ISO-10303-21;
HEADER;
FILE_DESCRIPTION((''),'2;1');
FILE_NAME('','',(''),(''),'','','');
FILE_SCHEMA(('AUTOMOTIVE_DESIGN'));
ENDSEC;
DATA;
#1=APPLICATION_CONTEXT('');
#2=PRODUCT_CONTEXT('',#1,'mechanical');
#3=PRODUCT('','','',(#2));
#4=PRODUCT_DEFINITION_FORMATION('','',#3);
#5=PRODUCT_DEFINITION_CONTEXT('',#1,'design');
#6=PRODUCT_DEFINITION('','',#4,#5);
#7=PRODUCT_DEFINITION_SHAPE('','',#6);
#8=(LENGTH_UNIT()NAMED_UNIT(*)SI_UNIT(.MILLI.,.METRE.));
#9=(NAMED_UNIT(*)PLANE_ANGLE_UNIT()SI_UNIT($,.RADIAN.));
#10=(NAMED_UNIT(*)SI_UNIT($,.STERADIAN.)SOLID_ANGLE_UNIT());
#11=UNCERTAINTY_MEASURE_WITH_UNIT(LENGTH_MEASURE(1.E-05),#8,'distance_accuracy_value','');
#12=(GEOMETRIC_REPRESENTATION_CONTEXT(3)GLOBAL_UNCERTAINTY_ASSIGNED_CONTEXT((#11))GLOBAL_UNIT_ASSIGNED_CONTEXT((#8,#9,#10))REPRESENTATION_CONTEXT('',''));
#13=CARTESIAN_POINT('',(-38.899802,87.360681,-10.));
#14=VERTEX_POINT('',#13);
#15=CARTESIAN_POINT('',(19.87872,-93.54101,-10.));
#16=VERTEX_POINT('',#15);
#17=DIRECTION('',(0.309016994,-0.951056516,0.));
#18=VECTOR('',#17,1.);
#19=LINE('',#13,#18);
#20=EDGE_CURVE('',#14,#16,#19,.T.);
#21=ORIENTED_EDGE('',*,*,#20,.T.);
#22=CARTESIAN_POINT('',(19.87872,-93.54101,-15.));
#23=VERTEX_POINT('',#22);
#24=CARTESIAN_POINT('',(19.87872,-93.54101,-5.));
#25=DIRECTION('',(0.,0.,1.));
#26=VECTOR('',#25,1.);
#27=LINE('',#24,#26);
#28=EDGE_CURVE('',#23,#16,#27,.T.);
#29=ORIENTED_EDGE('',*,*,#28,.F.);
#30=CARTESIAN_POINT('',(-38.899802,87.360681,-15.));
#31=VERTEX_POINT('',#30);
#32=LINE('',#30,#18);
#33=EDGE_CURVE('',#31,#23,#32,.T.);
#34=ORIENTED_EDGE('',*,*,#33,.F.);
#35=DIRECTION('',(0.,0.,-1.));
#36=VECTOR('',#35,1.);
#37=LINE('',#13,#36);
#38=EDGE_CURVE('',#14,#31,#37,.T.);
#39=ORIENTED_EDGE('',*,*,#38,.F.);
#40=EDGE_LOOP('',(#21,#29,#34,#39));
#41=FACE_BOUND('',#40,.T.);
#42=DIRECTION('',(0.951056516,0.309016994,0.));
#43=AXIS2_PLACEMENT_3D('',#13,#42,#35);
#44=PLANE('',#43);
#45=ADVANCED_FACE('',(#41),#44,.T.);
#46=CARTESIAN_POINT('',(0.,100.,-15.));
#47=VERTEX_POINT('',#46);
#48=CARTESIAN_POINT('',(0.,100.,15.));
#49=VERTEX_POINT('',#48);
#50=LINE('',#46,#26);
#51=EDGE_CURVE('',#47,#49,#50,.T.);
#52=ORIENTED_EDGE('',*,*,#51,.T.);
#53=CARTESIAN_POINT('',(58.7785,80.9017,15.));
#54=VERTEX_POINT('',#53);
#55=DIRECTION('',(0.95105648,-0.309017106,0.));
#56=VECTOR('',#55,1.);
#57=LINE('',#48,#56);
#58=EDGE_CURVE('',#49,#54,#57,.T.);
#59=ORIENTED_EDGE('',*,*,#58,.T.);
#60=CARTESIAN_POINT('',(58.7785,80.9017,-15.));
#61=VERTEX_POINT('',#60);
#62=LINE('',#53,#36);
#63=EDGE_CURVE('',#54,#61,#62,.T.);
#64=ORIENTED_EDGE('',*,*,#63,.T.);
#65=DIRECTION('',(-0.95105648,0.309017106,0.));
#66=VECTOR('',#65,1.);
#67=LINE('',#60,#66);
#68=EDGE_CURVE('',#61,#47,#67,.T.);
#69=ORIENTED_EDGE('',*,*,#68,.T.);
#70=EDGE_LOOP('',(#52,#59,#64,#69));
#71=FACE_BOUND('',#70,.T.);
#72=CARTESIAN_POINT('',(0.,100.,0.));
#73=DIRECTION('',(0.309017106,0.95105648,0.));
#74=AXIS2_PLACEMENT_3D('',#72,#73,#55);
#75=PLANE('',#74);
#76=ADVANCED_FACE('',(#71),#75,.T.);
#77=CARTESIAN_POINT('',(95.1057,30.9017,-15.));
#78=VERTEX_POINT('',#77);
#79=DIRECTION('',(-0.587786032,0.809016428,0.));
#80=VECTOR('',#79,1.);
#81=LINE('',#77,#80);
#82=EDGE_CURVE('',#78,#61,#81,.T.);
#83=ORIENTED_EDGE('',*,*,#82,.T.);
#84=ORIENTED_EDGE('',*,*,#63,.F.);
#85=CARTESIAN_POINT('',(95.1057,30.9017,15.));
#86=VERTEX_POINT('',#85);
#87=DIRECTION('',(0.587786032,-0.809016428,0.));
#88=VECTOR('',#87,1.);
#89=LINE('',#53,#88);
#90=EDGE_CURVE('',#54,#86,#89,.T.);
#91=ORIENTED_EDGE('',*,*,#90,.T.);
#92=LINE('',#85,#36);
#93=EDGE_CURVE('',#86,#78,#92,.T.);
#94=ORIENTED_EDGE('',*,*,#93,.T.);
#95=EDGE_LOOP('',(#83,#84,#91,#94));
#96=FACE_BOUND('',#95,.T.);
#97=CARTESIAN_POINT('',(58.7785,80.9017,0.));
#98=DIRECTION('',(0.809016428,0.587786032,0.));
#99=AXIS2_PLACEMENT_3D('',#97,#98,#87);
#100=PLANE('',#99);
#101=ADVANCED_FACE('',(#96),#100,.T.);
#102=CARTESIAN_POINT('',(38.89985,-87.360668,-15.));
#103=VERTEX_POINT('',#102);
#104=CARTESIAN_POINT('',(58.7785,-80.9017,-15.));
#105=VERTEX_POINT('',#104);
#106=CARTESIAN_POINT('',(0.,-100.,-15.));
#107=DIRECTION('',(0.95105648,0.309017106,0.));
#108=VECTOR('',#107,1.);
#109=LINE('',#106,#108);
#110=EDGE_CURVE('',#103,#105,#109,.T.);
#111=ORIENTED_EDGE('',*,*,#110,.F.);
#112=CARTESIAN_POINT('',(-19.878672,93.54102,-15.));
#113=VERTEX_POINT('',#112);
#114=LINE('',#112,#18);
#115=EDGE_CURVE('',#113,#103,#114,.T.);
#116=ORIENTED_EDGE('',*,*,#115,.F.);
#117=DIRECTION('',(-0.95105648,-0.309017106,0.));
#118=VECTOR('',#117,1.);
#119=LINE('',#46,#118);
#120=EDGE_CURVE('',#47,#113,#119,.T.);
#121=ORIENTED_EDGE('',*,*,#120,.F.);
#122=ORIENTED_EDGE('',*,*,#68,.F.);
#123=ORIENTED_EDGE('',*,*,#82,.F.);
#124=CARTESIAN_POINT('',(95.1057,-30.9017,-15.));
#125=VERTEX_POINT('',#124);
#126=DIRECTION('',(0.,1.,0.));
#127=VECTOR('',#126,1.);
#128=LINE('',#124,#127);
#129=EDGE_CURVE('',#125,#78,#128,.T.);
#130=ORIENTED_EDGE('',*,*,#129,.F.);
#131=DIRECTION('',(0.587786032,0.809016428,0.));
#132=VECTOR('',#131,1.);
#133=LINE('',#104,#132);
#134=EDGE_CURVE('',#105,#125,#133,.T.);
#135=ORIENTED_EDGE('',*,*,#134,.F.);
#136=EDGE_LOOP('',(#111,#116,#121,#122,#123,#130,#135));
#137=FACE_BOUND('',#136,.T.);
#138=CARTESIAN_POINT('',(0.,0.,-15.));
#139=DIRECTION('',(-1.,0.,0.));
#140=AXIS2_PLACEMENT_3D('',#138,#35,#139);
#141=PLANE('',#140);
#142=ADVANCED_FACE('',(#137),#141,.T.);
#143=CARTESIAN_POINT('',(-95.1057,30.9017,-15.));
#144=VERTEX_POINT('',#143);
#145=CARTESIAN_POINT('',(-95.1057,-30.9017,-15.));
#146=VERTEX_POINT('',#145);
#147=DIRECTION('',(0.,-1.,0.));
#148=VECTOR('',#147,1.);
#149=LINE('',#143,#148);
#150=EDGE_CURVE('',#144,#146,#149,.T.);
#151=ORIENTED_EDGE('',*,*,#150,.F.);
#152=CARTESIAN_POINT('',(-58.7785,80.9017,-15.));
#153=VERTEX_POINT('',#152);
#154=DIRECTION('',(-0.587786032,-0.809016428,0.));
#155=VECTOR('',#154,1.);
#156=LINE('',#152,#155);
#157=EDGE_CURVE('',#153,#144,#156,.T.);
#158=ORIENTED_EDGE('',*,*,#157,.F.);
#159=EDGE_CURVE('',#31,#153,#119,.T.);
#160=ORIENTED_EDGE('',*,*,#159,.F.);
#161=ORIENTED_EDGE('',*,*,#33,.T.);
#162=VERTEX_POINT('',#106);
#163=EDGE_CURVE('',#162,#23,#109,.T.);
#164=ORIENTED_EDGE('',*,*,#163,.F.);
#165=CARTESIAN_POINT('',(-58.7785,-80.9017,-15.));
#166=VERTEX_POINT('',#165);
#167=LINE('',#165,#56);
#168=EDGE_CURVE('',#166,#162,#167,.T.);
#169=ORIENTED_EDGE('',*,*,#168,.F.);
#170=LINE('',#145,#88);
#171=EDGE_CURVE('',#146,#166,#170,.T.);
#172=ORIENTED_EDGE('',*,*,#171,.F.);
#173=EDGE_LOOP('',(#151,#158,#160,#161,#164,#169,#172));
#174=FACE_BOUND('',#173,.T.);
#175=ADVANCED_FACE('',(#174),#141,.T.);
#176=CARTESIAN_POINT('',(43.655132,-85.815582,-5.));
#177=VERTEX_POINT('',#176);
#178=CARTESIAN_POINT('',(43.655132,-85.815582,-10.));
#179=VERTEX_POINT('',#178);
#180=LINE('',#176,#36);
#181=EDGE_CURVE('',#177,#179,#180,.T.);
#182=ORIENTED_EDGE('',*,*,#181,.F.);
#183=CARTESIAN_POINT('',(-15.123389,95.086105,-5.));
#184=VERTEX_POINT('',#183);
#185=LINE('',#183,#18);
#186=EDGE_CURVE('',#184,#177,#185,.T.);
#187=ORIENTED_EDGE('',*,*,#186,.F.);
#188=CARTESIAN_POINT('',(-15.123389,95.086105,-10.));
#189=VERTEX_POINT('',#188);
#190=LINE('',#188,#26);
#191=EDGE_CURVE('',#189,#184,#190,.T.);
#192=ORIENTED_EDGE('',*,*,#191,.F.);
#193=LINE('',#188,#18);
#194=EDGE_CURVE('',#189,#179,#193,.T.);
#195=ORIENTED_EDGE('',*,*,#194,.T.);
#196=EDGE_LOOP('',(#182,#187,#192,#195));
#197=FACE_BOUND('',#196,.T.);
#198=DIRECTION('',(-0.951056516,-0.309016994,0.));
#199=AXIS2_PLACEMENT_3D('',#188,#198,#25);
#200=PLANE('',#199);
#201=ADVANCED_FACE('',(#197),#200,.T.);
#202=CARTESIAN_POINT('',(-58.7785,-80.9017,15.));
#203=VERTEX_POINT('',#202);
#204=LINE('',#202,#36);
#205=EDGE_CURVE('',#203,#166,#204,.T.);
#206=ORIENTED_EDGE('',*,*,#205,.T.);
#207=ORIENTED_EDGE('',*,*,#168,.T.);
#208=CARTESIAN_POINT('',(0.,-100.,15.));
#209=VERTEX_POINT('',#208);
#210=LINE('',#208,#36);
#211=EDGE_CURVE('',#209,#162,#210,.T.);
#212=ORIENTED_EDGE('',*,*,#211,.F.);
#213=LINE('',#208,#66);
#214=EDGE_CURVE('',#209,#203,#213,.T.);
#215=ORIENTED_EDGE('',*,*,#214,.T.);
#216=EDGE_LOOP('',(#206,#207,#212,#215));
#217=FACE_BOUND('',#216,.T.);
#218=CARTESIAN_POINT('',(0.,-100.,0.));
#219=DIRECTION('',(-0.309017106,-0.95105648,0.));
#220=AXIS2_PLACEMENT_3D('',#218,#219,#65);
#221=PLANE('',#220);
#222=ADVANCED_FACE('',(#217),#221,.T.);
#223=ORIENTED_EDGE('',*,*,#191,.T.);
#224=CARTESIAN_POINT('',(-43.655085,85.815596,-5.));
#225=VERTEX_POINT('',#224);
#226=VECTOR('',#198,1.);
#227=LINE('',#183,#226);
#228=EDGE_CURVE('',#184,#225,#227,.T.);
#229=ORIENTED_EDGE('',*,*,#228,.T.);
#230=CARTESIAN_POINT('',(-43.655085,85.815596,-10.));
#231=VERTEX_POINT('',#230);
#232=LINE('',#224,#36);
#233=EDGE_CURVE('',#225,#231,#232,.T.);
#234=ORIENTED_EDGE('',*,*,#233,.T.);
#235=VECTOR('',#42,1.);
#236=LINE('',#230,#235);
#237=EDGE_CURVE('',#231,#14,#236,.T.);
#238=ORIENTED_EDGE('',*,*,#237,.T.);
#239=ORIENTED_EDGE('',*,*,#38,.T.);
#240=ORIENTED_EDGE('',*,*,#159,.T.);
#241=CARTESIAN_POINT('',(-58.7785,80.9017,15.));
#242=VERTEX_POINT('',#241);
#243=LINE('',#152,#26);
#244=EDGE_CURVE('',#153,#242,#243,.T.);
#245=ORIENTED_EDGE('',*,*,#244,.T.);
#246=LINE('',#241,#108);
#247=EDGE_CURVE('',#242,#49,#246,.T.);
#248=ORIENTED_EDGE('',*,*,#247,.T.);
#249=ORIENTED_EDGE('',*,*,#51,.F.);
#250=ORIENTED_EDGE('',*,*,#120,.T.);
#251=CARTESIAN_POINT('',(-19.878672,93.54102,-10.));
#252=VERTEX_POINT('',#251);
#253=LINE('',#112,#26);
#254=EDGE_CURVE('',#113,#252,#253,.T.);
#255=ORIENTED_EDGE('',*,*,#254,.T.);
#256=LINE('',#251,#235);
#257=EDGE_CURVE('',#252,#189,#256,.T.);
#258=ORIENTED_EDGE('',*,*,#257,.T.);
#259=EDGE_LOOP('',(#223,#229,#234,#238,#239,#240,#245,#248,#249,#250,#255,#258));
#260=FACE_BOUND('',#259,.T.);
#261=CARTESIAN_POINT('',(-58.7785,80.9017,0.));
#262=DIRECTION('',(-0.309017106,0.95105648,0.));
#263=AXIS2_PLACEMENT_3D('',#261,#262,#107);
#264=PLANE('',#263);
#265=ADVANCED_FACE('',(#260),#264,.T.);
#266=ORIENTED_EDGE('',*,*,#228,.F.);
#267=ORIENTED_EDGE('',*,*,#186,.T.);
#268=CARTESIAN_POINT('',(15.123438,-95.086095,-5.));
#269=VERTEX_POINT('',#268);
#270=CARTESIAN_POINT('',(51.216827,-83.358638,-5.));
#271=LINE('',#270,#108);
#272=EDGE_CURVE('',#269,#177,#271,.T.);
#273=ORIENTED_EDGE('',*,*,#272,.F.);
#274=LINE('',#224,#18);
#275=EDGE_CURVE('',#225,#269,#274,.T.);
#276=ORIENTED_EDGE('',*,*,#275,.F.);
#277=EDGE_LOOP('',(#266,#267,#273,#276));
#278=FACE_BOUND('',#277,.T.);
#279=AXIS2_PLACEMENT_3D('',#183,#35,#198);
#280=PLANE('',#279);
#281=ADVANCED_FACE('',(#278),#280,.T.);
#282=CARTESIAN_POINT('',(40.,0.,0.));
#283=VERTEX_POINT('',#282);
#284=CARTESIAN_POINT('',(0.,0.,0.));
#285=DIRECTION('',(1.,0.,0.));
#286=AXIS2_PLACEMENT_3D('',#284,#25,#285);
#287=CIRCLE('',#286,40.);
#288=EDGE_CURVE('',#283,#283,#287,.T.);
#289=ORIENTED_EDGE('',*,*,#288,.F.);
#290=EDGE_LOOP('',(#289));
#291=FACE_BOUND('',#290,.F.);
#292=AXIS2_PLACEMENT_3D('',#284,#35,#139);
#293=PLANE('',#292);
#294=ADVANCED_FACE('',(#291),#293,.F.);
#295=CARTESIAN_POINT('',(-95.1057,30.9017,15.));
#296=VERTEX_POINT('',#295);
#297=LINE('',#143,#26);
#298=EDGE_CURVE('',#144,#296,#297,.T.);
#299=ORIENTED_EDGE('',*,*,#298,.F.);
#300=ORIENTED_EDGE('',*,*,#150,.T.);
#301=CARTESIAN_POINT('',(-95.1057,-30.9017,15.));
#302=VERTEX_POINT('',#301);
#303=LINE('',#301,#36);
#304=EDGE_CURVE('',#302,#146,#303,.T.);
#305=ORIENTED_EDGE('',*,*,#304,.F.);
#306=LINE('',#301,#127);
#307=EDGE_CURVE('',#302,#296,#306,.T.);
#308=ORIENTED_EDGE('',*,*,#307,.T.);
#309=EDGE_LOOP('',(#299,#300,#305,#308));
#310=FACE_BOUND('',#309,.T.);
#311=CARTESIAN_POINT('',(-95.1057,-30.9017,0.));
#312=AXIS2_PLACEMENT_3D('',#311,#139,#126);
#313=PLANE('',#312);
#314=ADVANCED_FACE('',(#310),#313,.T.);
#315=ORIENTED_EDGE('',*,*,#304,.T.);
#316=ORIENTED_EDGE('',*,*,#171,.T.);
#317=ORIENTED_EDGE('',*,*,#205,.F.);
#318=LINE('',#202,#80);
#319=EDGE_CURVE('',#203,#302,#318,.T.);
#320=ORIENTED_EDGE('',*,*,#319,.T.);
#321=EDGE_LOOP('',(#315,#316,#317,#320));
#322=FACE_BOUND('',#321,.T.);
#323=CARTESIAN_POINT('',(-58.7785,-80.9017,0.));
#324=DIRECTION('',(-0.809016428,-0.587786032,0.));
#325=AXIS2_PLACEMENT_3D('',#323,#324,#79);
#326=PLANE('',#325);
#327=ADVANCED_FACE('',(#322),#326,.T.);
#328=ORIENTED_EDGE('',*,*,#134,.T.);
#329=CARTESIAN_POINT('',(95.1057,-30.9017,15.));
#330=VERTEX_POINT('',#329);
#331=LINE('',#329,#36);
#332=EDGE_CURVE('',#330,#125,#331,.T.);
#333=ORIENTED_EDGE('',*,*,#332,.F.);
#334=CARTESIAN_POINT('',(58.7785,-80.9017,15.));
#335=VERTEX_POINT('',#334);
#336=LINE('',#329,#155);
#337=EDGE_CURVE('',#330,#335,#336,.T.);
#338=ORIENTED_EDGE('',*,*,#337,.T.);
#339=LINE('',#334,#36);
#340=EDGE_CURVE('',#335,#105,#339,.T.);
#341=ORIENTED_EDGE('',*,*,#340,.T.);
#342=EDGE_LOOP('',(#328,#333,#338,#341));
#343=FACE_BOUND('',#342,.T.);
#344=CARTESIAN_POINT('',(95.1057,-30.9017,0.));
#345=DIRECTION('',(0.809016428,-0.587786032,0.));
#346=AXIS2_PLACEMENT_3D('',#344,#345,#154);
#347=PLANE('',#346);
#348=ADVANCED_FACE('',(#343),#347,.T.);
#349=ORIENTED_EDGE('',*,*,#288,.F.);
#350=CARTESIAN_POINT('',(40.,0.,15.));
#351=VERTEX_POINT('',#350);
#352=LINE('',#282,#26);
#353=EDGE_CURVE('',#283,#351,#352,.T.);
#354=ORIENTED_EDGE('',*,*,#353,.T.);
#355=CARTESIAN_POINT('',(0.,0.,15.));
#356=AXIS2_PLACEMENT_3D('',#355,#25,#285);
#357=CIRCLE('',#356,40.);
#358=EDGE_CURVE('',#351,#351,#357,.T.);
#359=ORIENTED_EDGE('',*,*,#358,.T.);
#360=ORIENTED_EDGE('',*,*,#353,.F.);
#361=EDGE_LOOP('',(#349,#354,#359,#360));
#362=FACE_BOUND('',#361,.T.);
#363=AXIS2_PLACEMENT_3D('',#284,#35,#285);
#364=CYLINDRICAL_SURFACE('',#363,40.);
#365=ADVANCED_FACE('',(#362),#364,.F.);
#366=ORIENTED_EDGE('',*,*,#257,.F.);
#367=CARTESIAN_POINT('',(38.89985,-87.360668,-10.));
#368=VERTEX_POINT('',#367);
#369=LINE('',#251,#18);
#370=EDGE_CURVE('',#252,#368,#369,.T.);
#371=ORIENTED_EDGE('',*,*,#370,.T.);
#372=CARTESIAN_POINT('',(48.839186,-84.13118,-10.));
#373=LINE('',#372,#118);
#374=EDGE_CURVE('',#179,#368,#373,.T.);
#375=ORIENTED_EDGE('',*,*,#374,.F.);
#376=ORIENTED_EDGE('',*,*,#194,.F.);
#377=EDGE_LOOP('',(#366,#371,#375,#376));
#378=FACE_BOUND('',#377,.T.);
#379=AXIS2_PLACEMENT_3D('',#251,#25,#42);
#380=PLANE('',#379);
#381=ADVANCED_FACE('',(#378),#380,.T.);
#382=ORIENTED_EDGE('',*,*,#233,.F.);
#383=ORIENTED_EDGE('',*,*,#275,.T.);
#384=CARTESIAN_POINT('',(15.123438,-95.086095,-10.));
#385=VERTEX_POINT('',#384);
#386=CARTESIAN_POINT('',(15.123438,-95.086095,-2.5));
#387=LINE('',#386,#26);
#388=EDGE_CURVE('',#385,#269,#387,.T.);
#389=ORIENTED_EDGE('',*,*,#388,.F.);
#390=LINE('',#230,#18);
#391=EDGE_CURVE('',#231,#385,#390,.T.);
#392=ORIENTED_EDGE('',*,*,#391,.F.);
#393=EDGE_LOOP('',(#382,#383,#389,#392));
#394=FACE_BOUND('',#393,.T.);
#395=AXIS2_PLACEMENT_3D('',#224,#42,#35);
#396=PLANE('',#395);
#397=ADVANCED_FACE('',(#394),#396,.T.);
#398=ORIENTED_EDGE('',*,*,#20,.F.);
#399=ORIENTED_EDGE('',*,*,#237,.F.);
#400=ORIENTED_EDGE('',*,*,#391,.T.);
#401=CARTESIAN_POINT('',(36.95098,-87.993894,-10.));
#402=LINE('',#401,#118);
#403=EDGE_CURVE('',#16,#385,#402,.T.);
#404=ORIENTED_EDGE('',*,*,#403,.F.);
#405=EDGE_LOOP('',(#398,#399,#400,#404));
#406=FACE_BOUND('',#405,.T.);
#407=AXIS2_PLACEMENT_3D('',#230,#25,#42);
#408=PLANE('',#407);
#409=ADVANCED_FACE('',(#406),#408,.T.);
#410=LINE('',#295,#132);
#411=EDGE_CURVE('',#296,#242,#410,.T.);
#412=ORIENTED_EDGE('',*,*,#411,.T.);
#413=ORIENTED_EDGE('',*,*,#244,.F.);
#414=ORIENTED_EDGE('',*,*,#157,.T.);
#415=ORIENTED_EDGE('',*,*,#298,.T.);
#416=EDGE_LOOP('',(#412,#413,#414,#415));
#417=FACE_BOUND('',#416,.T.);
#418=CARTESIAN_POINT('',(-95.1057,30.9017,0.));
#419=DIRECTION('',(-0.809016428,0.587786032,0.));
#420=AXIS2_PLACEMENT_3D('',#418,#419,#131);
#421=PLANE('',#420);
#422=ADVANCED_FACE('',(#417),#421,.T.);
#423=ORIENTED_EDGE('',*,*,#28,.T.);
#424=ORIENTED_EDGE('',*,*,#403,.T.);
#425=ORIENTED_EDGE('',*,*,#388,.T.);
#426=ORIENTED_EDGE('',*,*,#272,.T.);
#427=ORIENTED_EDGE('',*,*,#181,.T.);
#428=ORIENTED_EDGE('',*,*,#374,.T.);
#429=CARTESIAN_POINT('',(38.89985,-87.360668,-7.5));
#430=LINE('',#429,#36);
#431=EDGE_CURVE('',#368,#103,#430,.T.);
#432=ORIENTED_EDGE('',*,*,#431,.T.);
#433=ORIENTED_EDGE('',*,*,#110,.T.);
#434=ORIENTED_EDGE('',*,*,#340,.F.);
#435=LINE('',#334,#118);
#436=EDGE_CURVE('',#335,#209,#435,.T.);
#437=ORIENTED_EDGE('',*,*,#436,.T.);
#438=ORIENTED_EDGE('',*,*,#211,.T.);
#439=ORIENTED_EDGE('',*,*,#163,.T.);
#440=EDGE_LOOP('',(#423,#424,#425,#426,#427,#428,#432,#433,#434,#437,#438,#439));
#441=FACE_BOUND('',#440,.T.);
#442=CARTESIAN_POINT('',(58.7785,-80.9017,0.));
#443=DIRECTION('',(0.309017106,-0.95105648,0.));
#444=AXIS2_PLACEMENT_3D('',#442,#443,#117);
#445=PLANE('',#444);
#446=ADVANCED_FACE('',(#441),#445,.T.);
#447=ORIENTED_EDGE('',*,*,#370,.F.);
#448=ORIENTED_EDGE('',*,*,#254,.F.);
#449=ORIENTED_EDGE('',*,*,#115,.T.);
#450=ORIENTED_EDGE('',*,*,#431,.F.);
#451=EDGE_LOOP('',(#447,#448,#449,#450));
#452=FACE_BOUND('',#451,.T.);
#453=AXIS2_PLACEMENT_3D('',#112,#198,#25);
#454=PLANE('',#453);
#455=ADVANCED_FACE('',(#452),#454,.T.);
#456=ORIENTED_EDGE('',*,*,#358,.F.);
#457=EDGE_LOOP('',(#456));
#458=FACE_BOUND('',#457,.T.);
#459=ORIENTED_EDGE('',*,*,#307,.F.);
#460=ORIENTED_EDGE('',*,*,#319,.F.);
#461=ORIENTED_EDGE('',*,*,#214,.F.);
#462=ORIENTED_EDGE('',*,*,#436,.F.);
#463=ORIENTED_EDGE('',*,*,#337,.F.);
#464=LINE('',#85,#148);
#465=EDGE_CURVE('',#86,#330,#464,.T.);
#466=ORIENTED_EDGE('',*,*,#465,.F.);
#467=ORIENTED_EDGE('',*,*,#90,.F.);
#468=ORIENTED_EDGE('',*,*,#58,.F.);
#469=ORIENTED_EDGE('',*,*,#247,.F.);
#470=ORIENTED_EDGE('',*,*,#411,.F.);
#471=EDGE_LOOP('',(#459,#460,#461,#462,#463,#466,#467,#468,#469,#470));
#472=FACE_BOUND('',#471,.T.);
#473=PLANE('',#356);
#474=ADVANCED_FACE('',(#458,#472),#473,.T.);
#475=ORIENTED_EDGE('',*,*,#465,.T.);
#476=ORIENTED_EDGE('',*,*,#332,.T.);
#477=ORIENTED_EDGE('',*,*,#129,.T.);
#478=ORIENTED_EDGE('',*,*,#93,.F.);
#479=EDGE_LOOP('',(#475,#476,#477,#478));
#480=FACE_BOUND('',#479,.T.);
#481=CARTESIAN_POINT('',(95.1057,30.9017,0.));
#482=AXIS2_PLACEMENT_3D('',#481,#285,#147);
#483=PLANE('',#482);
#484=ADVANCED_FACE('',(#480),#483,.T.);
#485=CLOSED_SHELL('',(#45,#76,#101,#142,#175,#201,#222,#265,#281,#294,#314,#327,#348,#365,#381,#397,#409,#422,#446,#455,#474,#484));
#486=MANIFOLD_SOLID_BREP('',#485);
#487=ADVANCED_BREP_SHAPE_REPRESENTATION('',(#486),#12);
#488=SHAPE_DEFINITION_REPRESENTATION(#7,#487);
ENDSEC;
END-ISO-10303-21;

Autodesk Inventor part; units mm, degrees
ref_plane "YZ Plane" through (0, 0, 0) normal (1, 0, 0) x (0, 1, 0)
ref_plane "XZ Plane" through (0, 0, 0) normal (0, 1, 0) x (-1, 0, 0)
ref_plane "XY Plane" through (0, 0, 0) normal (0, 0, 1) x (1, 0, 0)
sketch "Skizze1" plane through (0, 0, 0) normal (0, 0, 1) x (1, 0, 0)
  circle A0 centre (0, 0) radius 40
  line L0 (0, 100) -> (58.7785, 80.9017)
  line L1 (58.7785, 80.9017) -> (95.1057, 30.9017)
  line L2 (95.1057, 30.9017) -> (95.1057, -30.9017)
  line L3 (95.1057, -30.9017) -> (58.7785, -80.9017)
  line L4 (58.7785, -80.9017) -> (0, -100)
  line L5 (0, -100) -> (-58.7785, -80.9017)
  line L6 (-58.7785, -80.9017) -> (-95.1057, -30.9017)
  line L7 (-95.1057, -30.9017) -> (-95.1057, 30.9017)
  line L8 (-95.1057, 30.9017) -> (-58.7785, 80.9017)
  line L9 (-58.7785, 80.9017) -> (0, 100)
  dimension "d0" = 80
  dimension "d1" = 100
extrude "Extrusion1" add sketch "Skizze1" along normal blind 15
sketch "Skizze3" plane through (0, 0, 0) normal (0, 0, -1) x (-1, 0, 0)
  line L0 (-95.1057, -30.9017) -> (-95.1057, 30.9017) projected
  line L1 (-58.7785, -80.9017) -> (-95.1057, -30.9017) projected
  line L2 (0, -100) -> (-58.7785, -80.9017) projected
  line L3 (58.7785, -80.9017) -> (0, -100) projected
  line L4 (95.1057, -30.9017) -> (58.7785, -80.9017) projected
  line L5 (95.1057, 30.9017) -> (95.1057, -30.9017) projected
  line L6 (58.7785, 80.9017) -> (95.1057, 30.9017) projected
  line L7 (0, 100) -> (58.7785, 80.9017) projected
  line L8 (-58.7785, 80.9017) -> (0, 100) projected
  line L9 (-95.1057, 30.9017) -> (-58.7785, 80.9017) projected
  circle A0 centre (0, 0) radius 40 projected
extrude "Extrusion2" add sketch "Skizze3" along normal blind 15 contours L0 L9 L8 L7 L6 L5 L4 L3 L2 L1 | A0
sketch "Skizze4" plane through (-58.7785, 80.9017, 15) normal (-0.309, 0.9511, 0) x (0.9511, 0.309, 0)
  line L0 (61.8034, 30) -> (0, 30) projected
  line L1 (40.9017, 30) -> (40.9017, 25)
  line L2 (40.9017, 25) -> (45.9017, 25)
  line L3 (45.9017, 25) -> (45.9017, 20)
  line L4 (45.9017, 20) -> (15.9017, 20)
  line L5 (15.9017, 20) -> (15.9017, 25)
  line L6 (15.9017, 25) -> (20.9017, 25)
  line L7 (20.9017, 25) -> (20.9017, 30)
  point P0 (30.9017, 15)
  dimension "d6" = 20
  dimension "d7" = 10
  dimension "d8" = 30
  dimension "d9" = 15
  dimension "d10" = 5
  dimension "d11" = 5
extrude "Extrusion3" cut sketch "Skizze4" against normal through all
equation "\"d7\" = 0.5 * d6"
equation "\"d9\" = 0.5 * d8"
properties part number "Unterteil"
